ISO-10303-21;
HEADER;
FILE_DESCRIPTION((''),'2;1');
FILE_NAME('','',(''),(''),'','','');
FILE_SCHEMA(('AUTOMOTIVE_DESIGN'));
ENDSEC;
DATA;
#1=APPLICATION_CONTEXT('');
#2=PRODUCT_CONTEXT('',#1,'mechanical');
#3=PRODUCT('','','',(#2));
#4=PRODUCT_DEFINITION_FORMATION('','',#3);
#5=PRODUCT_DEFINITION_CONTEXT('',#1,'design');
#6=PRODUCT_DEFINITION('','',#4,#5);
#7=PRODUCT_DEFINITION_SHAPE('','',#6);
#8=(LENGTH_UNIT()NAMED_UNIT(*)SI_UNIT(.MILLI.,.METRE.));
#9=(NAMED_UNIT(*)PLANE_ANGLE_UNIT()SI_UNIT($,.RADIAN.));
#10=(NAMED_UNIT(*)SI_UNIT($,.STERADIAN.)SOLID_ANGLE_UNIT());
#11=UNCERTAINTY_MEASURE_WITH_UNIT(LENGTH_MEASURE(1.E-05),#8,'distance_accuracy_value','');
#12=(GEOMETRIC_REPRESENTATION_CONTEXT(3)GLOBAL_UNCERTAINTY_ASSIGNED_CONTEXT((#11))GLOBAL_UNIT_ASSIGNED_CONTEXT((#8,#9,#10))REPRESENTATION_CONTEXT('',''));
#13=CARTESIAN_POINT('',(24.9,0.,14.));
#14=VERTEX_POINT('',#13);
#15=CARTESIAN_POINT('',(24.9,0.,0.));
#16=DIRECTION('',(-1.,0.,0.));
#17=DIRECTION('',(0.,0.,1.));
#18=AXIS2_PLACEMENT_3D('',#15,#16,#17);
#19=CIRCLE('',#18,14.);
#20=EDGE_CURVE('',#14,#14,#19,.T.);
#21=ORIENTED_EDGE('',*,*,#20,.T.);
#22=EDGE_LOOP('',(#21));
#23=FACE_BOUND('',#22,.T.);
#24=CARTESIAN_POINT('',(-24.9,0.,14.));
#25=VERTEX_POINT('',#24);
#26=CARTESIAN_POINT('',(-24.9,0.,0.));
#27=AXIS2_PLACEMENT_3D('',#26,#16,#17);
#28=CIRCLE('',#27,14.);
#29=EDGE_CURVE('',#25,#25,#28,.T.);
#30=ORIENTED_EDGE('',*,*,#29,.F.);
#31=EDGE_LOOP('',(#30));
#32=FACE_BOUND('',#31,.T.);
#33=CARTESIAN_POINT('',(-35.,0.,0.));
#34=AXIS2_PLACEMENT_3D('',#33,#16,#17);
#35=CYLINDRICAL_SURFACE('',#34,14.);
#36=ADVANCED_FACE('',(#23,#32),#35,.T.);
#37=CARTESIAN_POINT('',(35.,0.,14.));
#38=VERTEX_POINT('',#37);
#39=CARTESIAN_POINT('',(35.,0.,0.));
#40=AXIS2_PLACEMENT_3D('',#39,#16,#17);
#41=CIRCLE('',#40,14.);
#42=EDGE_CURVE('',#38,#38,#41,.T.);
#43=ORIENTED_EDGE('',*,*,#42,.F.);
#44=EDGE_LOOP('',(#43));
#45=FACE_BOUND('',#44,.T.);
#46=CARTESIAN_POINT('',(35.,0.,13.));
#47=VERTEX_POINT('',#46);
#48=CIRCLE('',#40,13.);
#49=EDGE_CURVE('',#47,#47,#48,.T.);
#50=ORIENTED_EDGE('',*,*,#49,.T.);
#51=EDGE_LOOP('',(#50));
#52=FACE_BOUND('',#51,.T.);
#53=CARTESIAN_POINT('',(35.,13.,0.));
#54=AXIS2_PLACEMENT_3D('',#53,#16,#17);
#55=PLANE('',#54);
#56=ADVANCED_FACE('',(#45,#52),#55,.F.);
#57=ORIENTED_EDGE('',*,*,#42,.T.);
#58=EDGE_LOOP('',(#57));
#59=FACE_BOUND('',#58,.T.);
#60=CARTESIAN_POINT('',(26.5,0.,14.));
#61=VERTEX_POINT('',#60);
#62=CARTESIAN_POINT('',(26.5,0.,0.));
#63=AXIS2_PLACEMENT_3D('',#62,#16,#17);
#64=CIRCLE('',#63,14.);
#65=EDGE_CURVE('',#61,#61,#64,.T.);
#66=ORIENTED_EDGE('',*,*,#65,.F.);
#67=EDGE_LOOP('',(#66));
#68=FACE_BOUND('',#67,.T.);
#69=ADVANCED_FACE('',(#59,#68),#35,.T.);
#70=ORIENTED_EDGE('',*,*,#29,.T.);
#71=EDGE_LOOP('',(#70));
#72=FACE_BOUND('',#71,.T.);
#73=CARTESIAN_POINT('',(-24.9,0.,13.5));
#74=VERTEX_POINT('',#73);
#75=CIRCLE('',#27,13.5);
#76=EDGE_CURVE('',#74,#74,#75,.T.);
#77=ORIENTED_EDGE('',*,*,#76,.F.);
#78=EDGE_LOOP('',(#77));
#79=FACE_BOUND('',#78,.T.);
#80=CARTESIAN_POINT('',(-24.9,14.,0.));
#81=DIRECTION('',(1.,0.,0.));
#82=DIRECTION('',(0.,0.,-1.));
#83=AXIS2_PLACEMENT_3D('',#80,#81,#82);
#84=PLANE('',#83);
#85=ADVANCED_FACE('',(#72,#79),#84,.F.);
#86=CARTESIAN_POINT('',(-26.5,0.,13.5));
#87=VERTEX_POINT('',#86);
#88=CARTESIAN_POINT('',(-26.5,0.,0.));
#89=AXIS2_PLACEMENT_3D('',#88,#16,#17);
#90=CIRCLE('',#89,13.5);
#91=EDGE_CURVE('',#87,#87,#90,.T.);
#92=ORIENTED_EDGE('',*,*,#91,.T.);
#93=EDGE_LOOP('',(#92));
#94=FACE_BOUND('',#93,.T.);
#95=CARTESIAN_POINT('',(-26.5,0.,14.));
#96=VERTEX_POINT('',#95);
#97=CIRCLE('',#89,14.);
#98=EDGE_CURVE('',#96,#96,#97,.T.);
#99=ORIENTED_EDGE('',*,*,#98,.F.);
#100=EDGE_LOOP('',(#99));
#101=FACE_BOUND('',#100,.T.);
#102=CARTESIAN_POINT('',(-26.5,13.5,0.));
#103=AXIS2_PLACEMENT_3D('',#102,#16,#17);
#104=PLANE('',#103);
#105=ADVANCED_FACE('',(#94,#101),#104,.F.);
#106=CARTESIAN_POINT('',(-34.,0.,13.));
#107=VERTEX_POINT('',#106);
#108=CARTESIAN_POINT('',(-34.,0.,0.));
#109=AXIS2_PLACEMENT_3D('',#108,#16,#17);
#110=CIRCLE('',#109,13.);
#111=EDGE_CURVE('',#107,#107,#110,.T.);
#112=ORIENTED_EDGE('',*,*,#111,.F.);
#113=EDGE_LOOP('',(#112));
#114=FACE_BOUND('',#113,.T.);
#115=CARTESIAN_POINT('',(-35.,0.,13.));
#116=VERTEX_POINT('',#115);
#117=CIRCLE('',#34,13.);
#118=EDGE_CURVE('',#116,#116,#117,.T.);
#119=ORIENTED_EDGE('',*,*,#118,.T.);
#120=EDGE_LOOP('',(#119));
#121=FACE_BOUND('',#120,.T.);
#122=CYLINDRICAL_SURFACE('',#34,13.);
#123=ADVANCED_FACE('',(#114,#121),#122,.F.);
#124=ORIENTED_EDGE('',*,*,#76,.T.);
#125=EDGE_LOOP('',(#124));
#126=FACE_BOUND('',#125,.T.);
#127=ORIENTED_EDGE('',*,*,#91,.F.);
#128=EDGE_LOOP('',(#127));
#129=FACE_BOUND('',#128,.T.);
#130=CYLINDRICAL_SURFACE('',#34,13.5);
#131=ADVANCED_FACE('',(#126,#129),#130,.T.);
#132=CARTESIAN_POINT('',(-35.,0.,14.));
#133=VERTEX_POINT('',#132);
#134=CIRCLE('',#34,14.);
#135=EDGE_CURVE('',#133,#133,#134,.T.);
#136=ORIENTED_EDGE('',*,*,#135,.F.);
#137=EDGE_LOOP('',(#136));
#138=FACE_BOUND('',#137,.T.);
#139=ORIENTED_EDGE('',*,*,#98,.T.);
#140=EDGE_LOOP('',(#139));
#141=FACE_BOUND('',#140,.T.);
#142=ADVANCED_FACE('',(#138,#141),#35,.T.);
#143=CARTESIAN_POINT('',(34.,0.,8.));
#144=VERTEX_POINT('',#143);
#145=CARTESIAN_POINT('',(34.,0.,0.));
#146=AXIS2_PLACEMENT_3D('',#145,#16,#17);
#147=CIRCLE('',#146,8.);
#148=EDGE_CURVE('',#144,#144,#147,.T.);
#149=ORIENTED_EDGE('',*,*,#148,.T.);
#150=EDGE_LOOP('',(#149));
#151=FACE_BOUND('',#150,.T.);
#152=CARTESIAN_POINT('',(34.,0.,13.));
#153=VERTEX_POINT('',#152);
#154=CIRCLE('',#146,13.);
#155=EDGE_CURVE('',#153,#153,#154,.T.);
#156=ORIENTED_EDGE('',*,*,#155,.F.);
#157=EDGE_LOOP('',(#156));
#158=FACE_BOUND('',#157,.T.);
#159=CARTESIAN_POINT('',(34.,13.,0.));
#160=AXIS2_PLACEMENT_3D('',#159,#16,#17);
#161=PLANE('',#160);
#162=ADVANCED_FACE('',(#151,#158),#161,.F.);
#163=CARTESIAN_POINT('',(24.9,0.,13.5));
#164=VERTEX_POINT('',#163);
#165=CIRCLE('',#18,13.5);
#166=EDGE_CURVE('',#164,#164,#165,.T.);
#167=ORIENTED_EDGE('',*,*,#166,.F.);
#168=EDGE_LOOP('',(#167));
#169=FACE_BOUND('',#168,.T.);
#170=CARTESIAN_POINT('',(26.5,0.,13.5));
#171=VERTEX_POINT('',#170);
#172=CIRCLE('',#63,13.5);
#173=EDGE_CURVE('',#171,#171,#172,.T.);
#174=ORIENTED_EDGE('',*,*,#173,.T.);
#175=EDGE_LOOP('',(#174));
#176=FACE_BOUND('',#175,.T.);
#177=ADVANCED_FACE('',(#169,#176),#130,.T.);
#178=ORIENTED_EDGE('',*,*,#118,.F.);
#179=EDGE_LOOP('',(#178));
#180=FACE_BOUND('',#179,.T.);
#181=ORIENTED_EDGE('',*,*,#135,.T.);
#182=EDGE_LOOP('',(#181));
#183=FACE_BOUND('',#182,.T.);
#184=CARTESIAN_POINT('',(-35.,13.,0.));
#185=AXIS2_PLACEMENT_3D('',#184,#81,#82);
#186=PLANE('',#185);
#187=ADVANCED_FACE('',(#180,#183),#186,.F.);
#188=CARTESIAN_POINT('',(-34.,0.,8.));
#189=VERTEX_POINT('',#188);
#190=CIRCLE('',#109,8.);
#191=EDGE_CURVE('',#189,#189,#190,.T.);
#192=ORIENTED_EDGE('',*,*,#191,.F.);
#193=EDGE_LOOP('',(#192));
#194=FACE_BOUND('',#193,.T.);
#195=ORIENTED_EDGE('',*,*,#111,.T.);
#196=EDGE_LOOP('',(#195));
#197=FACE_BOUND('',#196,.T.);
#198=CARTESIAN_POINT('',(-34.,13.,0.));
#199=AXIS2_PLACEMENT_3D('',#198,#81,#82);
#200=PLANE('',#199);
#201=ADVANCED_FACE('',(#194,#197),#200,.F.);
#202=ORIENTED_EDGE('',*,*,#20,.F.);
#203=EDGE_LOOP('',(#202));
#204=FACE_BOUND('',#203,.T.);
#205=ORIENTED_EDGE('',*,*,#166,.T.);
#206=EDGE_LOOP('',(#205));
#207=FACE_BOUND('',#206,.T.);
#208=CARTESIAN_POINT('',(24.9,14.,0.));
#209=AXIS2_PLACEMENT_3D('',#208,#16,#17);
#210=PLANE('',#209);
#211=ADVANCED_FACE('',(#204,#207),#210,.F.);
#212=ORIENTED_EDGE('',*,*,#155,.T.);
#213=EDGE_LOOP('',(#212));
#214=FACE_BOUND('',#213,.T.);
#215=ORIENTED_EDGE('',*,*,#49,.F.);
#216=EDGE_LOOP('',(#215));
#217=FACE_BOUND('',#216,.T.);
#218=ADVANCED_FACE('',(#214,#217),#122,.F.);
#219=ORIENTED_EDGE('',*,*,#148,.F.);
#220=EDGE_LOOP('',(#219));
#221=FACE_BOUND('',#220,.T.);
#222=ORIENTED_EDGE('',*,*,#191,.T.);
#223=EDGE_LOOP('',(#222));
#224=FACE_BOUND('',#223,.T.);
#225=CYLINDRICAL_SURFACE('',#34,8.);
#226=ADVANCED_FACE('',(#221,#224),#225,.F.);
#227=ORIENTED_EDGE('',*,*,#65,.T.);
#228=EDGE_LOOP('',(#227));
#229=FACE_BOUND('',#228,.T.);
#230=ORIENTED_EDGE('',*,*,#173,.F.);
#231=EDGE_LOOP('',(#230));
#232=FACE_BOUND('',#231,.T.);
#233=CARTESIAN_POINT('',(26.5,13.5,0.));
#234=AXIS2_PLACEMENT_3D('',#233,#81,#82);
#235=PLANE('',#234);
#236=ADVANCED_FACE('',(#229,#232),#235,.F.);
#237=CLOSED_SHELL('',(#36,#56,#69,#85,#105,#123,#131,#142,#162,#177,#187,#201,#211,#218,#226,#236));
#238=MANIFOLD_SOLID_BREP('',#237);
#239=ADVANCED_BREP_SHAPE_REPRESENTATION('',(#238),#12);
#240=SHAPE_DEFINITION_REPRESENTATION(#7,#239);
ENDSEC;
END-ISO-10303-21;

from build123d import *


with BuildPart() as part:
    # Sketch1 → Revolve2 (revolve)
    with BuildSketch(Plane.XY):
        Polygon((24.9, 14), (24.9, 13.5), (26.5, 13.5), (26.5, 14), (35, 14), (35, 13), (34, 13), (34, 8), (-34, 8), (-34, 13), (-35, 13), (-35, 14), (-26.5, 14), (-26.5, 13.5), (-24.9, 13.5), (-24.9, 14), align=None)
    revolve(axis=Axis((-35, 0, 0), (1, 0, 0)))


solid = part.part
